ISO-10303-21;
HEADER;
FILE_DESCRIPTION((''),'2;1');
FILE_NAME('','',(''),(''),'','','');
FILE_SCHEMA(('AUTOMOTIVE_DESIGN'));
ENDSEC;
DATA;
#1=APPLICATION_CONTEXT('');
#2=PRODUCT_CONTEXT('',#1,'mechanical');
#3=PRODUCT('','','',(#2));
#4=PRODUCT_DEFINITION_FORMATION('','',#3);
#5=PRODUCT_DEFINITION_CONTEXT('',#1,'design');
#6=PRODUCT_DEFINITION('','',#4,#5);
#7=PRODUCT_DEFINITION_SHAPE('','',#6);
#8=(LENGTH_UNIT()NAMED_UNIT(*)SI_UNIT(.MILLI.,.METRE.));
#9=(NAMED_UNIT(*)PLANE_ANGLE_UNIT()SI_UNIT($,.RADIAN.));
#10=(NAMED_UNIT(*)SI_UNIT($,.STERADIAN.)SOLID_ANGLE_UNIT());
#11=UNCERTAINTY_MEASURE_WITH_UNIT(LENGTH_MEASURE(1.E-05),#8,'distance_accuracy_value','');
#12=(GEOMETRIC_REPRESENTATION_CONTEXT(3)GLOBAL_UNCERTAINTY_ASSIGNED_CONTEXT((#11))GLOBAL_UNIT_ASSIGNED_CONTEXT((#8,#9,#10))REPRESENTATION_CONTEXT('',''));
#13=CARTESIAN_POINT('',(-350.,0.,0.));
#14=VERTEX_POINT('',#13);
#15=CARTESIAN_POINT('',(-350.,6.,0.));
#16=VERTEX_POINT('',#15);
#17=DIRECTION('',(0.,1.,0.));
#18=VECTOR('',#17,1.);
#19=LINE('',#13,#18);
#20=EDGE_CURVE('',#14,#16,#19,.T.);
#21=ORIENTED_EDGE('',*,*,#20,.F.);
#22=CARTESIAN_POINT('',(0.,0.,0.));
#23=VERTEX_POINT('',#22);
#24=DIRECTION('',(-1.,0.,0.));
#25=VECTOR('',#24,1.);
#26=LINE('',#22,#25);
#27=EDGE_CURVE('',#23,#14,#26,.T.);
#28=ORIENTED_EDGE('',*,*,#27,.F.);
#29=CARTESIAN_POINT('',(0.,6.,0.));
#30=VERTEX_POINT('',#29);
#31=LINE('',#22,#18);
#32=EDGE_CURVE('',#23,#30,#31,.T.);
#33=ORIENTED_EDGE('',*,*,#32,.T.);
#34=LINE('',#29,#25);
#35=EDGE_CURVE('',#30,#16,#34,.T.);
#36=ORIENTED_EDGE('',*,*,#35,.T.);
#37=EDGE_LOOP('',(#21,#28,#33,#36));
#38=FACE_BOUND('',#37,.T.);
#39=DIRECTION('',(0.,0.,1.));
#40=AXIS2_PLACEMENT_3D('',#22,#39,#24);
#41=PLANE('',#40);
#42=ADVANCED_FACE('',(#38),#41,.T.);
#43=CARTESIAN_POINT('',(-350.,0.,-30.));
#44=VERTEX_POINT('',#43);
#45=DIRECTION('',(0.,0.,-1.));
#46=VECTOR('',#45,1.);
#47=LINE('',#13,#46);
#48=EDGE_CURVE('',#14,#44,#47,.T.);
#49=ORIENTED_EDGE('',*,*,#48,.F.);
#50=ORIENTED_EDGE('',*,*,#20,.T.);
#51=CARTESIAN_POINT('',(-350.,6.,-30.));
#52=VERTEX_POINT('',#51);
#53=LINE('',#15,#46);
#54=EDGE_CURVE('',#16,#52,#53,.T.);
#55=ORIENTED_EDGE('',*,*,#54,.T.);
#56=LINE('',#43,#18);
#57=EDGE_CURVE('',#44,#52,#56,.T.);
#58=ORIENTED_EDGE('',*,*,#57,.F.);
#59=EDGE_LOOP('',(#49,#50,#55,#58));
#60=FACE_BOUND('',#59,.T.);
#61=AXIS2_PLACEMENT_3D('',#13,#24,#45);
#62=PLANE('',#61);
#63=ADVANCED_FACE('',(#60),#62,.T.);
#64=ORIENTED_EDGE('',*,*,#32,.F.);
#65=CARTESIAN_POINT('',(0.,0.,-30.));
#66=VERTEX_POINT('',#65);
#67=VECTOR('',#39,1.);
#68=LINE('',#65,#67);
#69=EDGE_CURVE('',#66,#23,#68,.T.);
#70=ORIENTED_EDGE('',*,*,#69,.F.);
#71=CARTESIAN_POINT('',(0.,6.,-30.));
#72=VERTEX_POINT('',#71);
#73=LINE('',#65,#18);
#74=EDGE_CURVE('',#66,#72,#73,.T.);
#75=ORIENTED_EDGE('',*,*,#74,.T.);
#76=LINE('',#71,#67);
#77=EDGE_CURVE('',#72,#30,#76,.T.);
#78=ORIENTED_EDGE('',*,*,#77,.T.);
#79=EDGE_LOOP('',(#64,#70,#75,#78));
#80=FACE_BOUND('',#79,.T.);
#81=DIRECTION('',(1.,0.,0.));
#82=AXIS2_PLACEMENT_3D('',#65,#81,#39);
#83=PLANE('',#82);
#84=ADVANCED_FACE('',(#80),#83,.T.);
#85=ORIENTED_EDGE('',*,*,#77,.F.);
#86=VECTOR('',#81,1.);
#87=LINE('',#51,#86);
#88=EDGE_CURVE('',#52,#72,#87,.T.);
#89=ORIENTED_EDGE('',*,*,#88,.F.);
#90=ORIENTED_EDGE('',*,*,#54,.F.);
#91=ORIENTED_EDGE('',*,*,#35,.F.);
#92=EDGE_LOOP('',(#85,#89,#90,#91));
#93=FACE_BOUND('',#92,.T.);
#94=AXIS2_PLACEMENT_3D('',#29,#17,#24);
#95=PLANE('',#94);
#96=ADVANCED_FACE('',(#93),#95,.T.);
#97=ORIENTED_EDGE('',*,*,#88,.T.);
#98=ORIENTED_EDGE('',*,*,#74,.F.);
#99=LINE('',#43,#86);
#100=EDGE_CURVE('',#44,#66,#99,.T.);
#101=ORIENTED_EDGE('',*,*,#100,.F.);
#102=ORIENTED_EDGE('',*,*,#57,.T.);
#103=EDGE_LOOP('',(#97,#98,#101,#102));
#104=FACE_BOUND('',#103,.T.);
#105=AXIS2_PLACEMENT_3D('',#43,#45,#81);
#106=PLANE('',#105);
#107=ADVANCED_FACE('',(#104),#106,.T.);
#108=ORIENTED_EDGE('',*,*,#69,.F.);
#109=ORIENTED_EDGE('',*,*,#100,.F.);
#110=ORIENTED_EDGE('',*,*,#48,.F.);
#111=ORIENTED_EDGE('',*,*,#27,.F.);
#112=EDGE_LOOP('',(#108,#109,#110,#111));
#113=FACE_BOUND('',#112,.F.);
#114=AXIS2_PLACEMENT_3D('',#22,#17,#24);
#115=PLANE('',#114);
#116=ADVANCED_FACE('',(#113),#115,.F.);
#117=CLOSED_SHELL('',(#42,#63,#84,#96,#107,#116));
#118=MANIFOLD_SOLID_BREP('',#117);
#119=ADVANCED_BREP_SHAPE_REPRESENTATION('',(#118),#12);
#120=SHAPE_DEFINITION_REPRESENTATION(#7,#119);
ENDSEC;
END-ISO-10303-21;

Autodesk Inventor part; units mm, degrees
ref_plane "YZ Plane" through (0, 0, 0) normal (1, 0, 0) x (0, 1, 0)
ref_plane "XZ Plane" through (0, 0, 0) normal (0, 1, 0) x (-1, 0, 0)
ref_plane "XY Plane" through (0, 0, 0) normal (0, 0, 1) x (1, 0, 0)
sketch "Sketch1" plane through (0, 0, 0) normal (0, 1, 0) x (-1, 0, 0)
  line L0 (0, 0) -> (350, 0)
  line L1 (350, 0) -> (350, -30)
  line L2 (350, -30) -> (0, -30)
  line L3 (0, -30) -> (0, 0)
  dimension "d0" = 350
  dimension "d1" = 30
extrude "Extrusion1" add sketch "Sketch1" along normal blind 6
properties part number "A_RightWall"
